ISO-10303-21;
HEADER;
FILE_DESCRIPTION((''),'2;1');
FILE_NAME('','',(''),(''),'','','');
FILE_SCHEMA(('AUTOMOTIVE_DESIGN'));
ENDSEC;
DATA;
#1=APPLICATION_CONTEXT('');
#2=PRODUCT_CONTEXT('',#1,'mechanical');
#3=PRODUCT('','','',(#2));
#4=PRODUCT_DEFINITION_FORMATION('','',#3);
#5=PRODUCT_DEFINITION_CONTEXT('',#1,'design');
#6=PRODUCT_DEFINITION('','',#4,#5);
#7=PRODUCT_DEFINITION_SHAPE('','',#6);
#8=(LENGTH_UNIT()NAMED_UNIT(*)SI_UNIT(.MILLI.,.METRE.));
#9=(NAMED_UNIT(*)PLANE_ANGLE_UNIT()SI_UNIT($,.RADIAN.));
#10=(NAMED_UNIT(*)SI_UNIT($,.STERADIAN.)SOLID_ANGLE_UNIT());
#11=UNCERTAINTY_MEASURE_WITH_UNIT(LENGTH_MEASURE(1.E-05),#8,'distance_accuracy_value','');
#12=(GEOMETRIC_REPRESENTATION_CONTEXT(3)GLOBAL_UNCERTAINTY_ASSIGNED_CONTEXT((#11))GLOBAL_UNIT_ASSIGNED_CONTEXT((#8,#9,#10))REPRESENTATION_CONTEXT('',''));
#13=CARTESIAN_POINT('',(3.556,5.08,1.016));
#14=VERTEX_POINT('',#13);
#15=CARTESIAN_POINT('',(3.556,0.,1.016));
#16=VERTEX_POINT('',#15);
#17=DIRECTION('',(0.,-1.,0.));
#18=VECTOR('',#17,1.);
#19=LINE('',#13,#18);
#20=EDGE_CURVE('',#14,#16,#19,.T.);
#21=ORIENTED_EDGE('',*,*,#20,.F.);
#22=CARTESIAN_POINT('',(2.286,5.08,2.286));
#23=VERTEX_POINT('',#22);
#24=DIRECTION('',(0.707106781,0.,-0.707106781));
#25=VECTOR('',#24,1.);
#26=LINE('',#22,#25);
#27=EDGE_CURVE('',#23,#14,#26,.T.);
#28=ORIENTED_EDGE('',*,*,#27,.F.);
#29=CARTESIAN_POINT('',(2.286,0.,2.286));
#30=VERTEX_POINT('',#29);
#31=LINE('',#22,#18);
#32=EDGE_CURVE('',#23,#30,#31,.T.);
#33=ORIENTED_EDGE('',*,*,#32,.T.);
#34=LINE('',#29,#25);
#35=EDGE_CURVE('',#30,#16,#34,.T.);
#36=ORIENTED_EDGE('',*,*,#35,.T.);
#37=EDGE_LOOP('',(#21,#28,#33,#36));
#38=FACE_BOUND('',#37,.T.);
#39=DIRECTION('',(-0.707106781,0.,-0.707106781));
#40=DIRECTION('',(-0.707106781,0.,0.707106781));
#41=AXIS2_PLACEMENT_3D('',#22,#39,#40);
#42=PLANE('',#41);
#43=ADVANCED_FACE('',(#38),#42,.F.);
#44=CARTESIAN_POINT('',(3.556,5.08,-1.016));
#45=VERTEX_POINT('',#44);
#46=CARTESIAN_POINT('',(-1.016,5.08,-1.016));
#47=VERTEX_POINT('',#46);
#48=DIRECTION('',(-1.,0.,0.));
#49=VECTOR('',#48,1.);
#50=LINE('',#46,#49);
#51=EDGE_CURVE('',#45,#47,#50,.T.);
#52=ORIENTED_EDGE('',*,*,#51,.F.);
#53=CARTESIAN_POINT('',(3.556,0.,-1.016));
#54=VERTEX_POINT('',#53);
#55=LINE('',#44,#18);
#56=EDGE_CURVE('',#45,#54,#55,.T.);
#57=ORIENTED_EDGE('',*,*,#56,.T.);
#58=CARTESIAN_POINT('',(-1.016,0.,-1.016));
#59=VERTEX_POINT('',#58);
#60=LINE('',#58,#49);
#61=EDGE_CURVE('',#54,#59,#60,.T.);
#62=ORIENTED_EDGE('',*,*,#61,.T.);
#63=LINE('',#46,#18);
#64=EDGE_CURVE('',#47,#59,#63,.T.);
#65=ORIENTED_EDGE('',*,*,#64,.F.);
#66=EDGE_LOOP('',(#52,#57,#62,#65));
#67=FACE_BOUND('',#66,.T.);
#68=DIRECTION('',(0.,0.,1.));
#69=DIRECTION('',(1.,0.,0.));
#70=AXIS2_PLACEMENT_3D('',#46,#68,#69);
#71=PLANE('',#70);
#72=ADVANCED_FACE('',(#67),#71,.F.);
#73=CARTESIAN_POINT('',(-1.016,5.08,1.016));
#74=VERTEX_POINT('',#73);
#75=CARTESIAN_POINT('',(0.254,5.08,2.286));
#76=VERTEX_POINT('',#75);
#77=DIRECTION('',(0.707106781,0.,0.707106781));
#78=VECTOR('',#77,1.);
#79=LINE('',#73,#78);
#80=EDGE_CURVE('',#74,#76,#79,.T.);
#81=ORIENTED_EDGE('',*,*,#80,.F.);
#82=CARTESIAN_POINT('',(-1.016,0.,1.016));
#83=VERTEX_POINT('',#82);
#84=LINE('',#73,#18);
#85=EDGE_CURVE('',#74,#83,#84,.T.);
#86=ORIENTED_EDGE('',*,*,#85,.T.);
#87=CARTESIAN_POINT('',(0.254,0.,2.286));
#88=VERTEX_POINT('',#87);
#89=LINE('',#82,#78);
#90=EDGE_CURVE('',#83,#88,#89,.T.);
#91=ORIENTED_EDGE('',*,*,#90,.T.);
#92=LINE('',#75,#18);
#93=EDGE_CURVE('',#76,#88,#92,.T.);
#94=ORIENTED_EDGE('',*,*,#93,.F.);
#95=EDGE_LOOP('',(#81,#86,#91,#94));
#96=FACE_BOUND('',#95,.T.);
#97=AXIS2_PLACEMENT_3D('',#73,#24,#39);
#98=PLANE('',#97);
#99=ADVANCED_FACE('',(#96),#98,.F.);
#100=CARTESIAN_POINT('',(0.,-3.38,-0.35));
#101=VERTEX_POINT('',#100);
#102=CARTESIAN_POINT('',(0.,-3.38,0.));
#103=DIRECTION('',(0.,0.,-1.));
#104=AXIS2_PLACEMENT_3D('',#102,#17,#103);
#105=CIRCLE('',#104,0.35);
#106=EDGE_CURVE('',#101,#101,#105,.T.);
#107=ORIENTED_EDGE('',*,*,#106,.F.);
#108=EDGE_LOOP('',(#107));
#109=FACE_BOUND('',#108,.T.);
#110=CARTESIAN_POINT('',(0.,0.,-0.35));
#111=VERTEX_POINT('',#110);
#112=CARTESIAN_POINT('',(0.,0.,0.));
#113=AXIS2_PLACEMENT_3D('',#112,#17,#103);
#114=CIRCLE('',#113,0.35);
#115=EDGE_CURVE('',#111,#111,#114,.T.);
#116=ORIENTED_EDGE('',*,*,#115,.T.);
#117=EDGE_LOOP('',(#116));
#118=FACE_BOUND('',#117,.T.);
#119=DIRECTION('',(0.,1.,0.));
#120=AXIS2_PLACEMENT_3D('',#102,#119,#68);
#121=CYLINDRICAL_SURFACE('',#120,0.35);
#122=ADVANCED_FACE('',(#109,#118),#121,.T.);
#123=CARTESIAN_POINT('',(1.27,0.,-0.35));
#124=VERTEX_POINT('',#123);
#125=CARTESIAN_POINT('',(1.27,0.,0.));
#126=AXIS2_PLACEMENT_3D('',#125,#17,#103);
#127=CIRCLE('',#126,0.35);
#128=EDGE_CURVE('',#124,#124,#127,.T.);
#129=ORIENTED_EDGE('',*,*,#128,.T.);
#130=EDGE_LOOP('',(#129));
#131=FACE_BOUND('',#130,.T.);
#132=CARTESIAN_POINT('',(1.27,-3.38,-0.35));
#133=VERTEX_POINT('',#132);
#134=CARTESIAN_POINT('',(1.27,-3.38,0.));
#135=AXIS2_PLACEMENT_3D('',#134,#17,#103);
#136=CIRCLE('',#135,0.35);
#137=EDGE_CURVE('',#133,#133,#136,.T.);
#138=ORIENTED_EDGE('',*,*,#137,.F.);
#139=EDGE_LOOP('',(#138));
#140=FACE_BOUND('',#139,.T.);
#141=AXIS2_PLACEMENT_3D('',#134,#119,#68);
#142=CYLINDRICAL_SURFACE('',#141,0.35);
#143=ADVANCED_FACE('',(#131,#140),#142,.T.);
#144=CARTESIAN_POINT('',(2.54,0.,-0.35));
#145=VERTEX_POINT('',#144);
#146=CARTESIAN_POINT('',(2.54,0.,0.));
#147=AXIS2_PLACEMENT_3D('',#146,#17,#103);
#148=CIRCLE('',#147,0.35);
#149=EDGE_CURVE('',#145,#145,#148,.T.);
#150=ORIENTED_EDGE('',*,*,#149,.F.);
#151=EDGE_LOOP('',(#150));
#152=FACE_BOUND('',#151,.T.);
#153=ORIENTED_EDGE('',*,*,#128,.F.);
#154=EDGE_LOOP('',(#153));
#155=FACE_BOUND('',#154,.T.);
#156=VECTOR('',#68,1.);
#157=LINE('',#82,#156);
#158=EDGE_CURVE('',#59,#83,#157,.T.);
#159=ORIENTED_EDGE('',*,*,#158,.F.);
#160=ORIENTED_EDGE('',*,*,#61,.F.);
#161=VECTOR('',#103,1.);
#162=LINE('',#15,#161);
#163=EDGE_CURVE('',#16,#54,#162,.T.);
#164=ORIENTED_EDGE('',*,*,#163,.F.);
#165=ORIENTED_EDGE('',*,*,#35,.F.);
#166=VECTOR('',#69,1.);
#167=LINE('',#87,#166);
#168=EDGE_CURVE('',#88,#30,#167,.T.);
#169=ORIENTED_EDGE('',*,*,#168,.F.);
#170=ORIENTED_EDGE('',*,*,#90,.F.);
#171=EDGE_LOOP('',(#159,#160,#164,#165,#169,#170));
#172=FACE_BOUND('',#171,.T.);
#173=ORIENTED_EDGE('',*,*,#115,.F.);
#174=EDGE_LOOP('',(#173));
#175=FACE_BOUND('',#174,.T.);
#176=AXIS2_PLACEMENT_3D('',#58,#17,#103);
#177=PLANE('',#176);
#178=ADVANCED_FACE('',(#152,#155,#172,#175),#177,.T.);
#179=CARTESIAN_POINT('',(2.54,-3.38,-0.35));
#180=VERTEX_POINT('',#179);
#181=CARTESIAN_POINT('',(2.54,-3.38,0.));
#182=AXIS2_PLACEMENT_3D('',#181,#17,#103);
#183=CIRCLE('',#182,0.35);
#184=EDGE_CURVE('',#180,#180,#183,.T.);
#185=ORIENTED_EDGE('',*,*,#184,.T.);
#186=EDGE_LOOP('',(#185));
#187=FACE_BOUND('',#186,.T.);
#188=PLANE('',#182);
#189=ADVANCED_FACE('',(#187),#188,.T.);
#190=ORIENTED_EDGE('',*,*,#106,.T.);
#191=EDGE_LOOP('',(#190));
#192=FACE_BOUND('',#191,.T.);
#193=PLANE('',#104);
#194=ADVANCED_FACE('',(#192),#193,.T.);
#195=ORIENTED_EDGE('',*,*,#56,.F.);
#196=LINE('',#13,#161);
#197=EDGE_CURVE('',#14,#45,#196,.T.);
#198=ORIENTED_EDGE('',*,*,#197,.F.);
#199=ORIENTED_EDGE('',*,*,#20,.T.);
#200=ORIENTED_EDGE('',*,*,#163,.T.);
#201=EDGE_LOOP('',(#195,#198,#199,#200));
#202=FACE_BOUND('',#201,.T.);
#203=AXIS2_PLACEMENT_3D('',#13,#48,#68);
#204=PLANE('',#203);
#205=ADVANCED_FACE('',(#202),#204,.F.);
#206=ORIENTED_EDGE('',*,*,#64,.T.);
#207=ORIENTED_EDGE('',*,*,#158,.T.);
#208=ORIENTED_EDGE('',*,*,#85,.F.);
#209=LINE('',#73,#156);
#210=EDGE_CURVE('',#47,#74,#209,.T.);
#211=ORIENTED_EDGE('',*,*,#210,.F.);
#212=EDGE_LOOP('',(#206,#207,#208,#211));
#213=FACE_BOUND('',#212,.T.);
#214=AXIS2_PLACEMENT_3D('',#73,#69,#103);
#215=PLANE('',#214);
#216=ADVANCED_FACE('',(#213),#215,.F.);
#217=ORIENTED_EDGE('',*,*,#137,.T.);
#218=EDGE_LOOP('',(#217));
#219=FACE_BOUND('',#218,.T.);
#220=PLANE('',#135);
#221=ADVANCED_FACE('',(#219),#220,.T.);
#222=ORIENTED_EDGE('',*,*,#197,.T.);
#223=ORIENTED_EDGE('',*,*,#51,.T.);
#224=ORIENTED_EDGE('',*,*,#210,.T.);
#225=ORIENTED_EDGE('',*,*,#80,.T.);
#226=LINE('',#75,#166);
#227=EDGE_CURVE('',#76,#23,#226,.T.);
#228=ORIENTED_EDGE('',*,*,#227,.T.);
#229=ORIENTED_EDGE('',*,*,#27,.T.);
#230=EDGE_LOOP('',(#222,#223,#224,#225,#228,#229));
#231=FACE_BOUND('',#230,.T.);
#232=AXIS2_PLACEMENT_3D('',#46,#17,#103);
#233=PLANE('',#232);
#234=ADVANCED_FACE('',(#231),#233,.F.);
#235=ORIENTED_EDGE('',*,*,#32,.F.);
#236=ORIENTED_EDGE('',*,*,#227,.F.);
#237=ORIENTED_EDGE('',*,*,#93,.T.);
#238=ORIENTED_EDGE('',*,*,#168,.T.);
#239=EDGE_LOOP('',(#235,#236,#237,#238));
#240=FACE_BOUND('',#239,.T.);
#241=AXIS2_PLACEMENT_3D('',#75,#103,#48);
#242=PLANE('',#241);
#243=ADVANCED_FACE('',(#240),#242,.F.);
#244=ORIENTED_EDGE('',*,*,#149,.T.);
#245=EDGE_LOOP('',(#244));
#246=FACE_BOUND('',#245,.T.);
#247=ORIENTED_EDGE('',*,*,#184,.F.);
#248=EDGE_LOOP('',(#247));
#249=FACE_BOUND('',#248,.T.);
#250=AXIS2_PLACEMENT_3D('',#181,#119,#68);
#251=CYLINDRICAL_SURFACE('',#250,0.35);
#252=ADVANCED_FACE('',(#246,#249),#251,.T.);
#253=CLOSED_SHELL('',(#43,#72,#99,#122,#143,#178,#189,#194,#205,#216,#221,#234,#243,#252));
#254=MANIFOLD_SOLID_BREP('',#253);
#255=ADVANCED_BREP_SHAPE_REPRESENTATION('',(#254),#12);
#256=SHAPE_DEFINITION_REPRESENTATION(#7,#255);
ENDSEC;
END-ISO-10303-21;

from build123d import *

# Parameters (mm, degrees)
BOSS_EXTRUDE1_DEPTH = 5.08
SKETCH2_R           = 0.35
BOSS_EXTRUDE2_DEPTH = 3.38


with BuildPart() as part:
    # Sketch1 → Boss-Extrude1 (new body)
    with BuildSketch(Plane(origin=(0, 0, 0), x_dir=(1, 0, 0), z_dir=(0, 1, 0))):
        Polygon((-1.016, -1.016), (0.254, -2.286), (2.286, -2.286), (3.556, -1.016), (3.556, 1.016), (-1.016, 1.016), align=None)
    extrude(amount=BOSS_EXTRUDE1_DEPTH)

    # Sketch2 → Boss-Extrude2 (add)
    with BuildSketch(Plane.XZ):
        Circle(SKETCH2_R)
        with Locations((1.27, 0)):
            Circle(SKETCH2_R)
        with Locations((2.54, 0)):
            Circle(SKETCH2_R)
    extrude(amount=BOSS_EXTRUDE2_DEPTH)


solid = part.part
